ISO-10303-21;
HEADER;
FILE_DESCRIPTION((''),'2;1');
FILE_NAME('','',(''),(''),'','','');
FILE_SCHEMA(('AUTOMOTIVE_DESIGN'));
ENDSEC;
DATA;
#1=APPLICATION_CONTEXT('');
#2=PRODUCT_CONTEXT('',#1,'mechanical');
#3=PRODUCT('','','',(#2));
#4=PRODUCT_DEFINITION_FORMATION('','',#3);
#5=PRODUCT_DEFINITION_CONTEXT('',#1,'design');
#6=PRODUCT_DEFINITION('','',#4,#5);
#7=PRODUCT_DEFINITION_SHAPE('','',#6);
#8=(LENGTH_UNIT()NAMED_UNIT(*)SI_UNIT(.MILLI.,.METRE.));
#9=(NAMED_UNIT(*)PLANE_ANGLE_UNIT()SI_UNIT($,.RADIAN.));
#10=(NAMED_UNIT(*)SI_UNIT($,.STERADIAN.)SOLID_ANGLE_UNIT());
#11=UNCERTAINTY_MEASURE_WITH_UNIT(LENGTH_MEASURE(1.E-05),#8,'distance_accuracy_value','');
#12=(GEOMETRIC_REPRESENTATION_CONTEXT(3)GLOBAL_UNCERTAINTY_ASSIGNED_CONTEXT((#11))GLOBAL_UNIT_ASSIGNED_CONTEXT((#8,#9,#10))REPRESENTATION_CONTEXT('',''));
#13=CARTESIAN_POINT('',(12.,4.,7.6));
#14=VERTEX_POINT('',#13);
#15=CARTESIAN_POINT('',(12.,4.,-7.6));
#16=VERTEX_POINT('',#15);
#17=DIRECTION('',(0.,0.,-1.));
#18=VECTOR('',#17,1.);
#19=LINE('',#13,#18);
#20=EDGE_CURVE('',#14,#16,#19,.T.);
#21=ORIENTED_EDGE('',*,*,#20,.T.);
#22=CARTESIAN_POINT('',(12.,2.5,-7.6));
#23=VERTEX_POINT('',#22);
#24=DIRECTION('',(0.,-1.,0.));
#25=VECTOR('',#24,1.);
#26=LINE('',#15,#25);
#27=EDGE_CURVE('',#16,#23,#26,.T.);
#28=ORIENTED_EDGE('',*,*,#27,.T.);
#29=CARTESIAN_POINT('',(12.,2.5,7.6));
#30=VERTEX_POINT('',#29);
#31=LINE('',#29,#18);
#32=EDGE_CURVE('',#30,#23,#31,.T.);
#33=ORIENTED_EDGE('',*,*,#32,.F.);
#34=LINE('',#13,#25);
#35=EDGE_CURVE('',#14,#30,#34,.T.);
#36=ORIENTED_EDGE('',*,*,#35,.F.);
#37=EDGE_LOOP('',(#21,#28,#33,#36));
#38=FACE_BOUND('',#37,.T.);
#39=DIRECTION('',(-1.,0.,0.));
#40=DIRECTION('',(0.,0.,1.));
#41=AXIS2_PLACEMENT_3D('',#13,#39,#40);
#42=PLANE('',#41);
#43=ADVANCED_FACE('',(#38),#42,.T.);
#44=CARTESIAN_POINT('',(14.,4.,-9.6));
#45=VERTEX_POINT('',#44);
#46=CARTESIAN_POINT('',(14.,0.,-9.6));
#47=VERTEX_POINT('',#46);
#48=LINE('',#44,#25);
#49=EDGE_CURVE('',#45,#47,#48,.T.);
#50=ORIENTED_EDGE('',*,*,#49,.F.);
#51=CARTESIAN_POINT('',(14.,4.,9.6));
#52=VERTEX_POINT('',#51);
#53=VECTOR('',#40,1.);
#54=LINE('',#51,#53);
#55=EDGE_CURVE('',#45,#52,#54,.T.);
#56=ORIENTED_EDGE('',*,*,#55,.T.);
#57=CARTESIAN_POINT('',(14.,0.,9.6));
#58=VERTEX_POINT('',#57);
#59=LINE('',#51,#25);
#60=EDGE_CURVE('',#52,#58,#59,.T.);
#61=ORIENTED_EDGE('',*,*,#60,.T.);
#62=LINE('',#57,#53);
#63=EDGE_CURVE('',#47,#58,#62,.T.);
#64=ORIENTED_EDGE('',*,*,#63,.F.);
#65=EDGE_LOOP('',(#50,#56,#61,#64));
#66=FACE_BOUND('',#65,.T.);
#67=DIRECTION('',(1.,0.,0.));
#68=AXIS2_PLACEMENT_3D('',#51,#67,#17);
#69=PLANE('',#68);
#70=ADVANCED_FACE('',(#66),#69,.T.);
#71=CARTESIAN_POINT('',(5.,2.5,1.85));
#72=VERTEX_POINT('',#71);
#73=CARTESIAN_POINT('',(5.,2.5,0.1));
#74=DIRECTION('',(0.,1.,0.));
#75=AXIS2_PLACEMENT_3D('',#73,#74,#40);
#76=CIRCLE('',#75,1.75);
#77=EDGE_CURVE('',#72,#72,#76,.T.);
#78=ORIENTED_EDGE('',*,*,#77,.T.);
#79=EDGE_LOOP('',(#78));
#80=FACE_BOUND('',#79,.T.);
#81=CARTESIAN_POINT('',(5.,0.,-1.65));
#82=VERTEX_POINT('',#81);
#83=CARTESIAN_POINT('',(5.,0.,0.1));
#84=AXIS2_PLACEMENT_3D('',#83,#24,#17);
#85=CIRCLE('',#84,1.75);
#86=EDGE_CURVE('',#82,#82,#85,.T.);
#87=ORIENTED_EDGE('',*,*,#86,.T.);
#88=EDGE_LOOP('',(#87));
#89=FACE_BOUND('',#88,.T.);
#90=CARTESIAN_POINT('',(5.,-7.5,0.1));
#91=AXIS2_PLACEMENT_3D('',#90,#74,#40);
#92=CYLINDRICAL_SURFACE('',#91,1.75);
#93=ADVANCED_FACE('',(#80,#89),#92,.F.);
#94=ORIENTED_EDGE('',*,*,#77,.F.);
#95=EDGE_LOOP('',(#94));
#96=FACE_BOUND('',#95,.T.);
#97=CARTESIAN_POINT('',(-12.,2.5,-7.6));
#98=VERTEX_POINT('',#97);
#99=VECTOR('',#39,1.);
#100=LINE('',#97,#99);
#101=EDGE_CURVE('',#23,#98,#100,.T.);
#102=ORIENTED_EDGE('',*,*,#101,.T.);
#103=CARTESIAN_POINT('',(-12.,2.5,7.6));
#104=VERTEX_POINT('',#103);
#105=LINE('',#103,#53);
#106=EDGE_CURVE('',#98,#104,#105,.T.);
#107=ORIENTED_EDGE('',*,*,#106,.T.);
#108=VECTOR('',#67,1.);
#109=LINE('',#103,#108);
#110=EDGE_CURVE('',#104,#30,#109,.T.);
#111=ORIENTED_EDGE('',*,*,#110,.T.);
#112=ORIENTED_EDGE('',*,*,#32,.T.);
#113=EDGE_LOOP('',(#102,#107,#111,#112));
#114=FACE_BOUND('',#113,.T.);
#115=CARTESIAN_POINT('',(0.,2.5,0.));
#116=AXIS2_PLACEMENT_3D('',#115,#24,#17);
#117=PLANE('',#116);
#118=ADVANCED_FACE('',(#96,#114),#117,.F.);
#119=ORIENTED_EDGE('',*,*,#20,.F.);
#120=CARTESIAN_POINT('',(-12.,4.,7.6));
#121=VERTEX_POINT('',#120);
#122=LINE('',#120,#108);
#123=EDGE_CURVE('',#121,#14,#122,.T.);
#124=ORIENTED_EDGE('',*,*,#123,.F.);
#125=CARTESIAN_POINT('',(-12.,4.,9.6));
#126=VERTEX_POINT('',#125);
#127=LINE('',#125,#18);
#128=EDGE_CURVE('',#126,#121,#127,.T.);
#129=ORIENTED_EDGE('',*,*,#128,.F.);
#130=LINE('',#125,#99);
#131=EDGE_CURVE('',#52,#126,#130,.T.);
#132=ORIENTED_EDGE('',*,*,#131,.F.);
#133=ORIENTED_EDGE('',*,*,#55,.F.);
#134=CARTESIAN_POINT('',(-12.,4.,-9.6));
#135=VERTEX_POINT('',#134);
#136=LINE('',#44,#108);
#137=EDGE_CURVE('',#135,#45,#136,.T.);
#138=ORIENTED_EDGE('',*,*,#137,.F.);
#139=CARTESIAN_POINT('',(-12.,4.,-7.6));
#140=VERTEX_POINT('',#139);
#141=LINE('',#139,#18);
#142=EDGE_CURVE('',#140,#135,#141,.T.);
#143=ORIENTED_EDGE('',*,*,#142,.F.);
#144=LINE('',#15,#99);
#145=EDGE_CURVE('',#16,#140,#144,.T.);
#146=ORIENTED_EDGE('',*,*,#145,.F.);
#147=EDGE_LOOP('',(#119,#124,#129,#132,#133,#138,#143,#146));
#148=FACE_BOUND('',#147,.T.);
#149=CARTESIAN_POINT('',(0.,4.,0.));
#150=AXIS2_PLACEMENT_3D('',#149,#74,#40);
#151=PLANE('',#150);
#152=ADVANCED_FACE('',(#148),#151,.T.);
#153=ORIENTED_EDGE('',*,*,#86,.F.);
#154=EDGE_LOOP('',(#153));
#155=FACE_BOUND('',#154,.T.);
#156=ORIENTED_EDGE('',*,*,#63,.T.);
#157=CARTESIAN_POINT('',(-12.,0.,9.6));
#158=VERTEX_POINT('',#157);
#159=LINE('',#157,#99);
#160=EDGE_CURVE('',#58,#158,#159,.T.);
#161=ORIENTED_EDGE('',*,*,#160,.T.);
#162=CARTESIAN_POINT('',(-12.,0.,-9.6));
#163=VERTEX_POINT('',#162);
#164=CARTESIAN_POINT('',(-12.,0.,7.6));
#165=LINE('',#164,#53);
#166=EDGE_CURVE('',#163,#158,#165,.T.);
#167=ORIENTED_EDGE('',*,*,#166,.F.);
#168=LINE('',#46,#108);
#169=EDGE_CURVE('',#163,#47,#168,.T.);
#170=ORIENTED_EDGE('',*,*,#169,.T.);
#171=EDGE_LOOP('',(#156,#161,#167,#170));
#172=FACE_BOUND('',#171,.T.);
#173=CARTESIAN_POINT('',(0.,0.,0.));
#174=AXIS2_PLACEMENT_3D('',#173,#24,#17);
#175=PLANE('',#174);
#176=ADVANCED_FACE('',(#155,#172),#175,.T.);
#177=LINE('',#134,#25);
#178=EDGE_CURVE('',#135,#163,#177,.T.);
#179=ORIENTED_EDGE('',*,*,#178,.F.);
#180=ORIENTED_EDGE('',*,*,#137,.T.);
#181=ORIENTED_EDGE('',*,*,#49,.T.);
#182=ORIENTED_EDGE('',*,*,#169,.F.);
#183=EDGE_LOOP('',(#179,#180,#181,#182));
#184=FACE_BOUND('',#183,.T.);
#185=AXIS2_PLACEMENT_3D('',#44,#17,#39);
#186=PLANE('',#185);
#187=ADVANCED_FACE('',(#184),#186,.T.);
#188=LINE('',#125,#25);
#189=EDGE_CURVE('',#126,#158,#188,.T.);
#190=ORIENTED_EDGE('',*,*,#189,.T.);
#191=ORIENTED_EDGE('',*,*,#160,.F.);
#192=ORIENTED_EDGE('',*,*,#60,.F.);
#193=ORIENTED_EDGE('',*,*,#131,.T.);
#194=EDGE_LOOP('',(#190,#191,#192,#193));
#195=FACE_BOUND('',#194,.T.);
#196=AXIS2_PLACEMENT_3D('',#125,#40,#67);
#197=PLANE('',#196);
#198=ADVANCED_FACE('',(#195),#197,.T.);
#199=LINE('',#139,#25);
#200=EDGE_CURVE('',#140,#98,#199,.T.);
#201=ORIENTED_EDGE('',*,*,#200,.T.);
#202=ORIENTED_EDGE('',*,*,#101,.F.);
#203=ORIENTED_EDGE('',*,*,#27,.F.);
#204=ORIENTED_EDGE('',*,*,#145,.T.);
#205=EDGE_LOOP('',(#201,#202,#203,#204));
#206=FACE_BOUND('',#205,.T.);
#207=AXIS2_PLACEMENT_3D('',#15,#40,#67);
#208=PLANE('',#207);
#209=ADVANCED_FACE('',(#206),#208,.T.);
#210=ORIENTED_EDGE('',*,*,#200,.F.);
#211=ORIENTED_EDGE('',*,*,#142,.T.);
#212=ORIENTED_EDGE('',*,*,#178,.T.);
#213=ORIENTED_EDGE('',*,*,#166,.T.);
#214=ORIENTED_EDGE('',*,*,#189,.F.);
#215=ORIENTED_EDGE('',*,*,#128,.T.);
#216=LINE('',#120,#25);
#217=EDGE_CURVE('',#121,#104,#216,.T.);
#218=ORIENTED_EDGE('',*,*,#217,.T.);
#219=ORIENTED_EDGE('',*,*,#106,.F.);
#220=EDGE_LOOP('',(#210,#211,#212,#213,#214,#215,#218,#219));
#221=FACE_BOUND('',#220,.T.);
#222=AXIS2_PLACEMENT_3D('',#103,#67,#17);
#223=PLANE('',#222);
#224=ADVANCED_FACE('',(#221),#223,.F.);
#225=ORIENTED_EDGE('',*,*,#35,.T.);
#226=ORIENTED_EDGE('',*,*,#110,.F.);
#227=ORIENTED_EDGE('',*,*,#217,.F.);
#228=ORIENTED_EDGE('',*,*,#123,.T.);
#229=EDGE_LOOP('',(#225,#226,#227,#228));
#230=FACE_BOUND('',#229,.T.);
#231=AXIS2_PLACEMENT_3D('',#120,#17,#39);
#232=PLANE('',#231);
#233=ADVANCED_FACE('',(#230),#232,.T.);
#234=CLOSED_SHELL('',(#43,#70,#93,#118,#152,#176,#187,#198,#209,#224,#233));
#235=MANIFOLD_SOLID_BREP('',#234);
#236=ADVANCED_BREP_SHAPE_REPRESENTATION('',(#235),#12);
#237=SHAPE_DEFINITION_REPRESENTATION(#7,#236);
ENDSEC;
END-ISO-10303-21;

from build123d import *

# Parameters (mm, degrees)
SKETCH1_W           = 24
SKETCH1_H           = 15.2
BOSS_EXTRUDE1_DEPTH = 2.5
SKETCH3_R           = 1.75
CUT_EXTRUDE1_DEPTH  = 10
BOSS_EXTRUDE2_DEPTH = 4


with BuildPart() as part:
    # Sketch1 → Boss-Extrude1 (new body)
    with BuildSketch(Plane(origin=(0, 0, 0), x_dir=(1, 0, 0), z_dir=(0, 1, 0))):
        Rectangle(SKETCH1_W, SKETCH1_H)
    extrude(amount=BOSS_EXTRUDE1_DEPTH)

    # Sketch3 → Cut-Extrude1 (cut)
    with BuildSketch(Plane(origin=(0, 2.5, 0), x_dir=(1, 0, 0), z_dir=(0, 1, 0))):
        with Locations(Location((5, -0.1, 0), (0, 0, 270))):
            Circle(SKETCH3_R)
    extrude(amount=-CUT_EXTRUDE1_DEPTH, mode=Mode.SUBTRACT)

    # Sketch4 → Boss-Extrude2 (add)
    with BuildSketch(Plane(origin=(0, 0, 0), x_dir=(-1, 0, 0), z_dir=(0, -1, 0))):
        Polygon((12, -9.6), (12, -7.6), (-12, -7.6), (-12, 7.6), (12, 7.6), (12, 9.6), (-14, 9.6), (-14, -9.6), align=None)
    extrude(amount=-BOSS_EXTRUDE2_DEPTH)


solid = part.part
